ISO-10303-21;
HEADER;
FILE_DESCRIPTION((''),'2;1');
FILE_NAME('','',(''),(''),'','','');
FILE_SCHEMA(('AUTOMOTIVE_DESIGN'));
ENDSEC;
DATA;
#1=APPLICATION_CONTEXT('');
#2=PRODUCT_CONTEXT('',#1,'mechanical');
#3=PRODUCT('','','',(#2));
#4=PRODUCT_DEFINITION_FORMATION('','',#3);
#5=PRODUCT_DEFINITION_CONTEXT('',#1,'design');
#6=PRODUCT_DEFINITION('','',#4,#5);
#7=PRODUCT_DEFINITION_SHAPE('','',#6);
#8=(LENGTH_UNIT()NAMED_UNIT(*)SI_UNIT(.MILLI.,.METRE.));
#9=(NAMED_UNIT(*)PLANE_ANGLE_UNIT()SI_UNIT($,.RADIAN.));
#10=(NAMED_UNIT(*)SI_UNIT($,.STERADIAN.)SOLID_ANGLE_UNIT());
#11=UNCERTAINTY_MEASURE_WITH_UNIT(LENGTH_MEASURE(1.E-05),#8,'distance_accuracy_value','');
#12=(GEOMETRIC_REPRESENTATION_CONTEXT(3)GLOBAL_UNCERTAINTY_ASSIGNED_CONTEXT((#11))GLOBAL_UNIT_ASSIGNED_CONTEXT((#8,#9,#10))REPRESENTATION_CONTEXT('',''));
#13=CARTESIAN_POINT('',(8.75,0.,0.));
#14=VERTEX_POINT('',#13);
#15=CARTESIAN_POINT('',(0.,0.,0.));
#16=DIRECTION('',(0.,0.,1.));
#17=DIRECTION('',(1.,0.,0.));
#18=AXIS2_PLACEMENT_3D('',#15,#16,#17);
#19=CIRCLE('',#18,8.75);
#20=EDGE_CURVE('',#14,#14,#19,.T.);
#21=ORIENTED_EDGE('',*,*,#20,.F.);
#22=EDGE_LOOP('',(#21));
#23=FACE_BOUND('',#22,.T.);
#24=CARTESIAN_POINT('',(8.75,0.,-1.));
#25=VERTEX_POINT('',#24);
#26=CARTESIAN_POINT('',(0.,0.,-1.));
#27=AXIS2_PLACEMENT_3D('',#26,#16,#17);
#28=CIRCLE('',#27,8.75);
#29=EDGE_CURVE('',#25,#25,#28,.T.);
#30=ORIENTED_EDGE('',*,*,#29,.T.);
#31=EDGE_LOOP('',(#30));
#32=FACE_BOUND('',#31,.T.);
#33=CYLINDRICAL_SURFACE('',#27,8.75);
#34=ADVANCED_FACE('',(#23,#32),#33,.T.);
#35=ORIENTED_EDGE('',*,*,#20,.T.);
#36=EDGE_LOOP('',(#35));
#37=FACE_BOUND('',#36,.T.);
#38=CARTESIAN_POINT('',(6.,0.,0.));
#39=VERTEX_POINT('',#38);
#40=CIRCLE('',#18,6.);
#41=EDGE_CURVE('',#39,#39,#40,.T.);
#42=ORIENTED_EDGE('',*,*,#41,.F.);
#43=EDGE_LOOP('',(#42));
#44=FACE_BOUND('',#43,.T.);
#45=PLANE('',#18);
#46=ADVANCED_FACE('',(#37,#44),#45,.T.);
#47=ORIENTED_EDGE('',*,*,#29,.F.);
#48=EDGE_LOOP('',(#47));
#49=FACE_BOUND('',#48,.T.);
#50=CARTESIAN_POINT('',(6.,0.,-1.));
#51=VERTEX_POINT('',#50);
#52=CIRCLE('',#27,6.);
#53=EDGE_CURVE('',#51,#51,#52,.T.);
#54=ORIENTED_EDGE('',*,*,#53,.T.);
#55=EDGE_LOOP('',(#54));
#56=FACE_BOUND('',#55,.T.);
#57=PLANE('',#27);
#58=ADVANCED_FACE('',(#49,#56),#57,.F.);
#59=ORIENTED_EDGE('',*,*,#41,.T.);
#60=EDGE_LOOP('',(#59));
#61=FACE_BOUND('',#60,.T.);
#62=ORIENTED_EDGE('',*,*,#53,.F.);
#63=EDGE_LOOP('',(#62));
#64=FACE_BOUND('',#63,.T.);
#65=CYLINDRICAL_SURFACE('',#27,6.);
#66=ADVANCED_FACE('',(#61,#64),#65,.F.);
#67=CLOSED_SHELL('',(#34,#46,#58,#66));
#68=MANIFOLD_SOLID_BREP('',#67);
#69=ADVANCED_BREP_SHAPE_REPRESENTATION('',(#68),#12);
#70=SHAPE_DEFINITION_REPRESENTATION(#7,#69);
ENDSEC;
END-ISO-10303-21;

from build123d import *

# Parameters (mm, degrees)
SKETCH1_R           = 8.75
SKETCH1_R_2         = 6
BOSS_EXTRUDE1_DEPTH = 1


with BuildPart() as part:
    # Sketch1 → Boss-Extrude1 (new body)
    with BuildSketch(Plane.XY):
        Circle(SKETCH1_R)
        Circle(SKETCH1_R_2, mode=Mode.SUBTRACT)
    extrude(amount=-BOSS_EXTRUDE1_DEPTH)


solid = part.part
